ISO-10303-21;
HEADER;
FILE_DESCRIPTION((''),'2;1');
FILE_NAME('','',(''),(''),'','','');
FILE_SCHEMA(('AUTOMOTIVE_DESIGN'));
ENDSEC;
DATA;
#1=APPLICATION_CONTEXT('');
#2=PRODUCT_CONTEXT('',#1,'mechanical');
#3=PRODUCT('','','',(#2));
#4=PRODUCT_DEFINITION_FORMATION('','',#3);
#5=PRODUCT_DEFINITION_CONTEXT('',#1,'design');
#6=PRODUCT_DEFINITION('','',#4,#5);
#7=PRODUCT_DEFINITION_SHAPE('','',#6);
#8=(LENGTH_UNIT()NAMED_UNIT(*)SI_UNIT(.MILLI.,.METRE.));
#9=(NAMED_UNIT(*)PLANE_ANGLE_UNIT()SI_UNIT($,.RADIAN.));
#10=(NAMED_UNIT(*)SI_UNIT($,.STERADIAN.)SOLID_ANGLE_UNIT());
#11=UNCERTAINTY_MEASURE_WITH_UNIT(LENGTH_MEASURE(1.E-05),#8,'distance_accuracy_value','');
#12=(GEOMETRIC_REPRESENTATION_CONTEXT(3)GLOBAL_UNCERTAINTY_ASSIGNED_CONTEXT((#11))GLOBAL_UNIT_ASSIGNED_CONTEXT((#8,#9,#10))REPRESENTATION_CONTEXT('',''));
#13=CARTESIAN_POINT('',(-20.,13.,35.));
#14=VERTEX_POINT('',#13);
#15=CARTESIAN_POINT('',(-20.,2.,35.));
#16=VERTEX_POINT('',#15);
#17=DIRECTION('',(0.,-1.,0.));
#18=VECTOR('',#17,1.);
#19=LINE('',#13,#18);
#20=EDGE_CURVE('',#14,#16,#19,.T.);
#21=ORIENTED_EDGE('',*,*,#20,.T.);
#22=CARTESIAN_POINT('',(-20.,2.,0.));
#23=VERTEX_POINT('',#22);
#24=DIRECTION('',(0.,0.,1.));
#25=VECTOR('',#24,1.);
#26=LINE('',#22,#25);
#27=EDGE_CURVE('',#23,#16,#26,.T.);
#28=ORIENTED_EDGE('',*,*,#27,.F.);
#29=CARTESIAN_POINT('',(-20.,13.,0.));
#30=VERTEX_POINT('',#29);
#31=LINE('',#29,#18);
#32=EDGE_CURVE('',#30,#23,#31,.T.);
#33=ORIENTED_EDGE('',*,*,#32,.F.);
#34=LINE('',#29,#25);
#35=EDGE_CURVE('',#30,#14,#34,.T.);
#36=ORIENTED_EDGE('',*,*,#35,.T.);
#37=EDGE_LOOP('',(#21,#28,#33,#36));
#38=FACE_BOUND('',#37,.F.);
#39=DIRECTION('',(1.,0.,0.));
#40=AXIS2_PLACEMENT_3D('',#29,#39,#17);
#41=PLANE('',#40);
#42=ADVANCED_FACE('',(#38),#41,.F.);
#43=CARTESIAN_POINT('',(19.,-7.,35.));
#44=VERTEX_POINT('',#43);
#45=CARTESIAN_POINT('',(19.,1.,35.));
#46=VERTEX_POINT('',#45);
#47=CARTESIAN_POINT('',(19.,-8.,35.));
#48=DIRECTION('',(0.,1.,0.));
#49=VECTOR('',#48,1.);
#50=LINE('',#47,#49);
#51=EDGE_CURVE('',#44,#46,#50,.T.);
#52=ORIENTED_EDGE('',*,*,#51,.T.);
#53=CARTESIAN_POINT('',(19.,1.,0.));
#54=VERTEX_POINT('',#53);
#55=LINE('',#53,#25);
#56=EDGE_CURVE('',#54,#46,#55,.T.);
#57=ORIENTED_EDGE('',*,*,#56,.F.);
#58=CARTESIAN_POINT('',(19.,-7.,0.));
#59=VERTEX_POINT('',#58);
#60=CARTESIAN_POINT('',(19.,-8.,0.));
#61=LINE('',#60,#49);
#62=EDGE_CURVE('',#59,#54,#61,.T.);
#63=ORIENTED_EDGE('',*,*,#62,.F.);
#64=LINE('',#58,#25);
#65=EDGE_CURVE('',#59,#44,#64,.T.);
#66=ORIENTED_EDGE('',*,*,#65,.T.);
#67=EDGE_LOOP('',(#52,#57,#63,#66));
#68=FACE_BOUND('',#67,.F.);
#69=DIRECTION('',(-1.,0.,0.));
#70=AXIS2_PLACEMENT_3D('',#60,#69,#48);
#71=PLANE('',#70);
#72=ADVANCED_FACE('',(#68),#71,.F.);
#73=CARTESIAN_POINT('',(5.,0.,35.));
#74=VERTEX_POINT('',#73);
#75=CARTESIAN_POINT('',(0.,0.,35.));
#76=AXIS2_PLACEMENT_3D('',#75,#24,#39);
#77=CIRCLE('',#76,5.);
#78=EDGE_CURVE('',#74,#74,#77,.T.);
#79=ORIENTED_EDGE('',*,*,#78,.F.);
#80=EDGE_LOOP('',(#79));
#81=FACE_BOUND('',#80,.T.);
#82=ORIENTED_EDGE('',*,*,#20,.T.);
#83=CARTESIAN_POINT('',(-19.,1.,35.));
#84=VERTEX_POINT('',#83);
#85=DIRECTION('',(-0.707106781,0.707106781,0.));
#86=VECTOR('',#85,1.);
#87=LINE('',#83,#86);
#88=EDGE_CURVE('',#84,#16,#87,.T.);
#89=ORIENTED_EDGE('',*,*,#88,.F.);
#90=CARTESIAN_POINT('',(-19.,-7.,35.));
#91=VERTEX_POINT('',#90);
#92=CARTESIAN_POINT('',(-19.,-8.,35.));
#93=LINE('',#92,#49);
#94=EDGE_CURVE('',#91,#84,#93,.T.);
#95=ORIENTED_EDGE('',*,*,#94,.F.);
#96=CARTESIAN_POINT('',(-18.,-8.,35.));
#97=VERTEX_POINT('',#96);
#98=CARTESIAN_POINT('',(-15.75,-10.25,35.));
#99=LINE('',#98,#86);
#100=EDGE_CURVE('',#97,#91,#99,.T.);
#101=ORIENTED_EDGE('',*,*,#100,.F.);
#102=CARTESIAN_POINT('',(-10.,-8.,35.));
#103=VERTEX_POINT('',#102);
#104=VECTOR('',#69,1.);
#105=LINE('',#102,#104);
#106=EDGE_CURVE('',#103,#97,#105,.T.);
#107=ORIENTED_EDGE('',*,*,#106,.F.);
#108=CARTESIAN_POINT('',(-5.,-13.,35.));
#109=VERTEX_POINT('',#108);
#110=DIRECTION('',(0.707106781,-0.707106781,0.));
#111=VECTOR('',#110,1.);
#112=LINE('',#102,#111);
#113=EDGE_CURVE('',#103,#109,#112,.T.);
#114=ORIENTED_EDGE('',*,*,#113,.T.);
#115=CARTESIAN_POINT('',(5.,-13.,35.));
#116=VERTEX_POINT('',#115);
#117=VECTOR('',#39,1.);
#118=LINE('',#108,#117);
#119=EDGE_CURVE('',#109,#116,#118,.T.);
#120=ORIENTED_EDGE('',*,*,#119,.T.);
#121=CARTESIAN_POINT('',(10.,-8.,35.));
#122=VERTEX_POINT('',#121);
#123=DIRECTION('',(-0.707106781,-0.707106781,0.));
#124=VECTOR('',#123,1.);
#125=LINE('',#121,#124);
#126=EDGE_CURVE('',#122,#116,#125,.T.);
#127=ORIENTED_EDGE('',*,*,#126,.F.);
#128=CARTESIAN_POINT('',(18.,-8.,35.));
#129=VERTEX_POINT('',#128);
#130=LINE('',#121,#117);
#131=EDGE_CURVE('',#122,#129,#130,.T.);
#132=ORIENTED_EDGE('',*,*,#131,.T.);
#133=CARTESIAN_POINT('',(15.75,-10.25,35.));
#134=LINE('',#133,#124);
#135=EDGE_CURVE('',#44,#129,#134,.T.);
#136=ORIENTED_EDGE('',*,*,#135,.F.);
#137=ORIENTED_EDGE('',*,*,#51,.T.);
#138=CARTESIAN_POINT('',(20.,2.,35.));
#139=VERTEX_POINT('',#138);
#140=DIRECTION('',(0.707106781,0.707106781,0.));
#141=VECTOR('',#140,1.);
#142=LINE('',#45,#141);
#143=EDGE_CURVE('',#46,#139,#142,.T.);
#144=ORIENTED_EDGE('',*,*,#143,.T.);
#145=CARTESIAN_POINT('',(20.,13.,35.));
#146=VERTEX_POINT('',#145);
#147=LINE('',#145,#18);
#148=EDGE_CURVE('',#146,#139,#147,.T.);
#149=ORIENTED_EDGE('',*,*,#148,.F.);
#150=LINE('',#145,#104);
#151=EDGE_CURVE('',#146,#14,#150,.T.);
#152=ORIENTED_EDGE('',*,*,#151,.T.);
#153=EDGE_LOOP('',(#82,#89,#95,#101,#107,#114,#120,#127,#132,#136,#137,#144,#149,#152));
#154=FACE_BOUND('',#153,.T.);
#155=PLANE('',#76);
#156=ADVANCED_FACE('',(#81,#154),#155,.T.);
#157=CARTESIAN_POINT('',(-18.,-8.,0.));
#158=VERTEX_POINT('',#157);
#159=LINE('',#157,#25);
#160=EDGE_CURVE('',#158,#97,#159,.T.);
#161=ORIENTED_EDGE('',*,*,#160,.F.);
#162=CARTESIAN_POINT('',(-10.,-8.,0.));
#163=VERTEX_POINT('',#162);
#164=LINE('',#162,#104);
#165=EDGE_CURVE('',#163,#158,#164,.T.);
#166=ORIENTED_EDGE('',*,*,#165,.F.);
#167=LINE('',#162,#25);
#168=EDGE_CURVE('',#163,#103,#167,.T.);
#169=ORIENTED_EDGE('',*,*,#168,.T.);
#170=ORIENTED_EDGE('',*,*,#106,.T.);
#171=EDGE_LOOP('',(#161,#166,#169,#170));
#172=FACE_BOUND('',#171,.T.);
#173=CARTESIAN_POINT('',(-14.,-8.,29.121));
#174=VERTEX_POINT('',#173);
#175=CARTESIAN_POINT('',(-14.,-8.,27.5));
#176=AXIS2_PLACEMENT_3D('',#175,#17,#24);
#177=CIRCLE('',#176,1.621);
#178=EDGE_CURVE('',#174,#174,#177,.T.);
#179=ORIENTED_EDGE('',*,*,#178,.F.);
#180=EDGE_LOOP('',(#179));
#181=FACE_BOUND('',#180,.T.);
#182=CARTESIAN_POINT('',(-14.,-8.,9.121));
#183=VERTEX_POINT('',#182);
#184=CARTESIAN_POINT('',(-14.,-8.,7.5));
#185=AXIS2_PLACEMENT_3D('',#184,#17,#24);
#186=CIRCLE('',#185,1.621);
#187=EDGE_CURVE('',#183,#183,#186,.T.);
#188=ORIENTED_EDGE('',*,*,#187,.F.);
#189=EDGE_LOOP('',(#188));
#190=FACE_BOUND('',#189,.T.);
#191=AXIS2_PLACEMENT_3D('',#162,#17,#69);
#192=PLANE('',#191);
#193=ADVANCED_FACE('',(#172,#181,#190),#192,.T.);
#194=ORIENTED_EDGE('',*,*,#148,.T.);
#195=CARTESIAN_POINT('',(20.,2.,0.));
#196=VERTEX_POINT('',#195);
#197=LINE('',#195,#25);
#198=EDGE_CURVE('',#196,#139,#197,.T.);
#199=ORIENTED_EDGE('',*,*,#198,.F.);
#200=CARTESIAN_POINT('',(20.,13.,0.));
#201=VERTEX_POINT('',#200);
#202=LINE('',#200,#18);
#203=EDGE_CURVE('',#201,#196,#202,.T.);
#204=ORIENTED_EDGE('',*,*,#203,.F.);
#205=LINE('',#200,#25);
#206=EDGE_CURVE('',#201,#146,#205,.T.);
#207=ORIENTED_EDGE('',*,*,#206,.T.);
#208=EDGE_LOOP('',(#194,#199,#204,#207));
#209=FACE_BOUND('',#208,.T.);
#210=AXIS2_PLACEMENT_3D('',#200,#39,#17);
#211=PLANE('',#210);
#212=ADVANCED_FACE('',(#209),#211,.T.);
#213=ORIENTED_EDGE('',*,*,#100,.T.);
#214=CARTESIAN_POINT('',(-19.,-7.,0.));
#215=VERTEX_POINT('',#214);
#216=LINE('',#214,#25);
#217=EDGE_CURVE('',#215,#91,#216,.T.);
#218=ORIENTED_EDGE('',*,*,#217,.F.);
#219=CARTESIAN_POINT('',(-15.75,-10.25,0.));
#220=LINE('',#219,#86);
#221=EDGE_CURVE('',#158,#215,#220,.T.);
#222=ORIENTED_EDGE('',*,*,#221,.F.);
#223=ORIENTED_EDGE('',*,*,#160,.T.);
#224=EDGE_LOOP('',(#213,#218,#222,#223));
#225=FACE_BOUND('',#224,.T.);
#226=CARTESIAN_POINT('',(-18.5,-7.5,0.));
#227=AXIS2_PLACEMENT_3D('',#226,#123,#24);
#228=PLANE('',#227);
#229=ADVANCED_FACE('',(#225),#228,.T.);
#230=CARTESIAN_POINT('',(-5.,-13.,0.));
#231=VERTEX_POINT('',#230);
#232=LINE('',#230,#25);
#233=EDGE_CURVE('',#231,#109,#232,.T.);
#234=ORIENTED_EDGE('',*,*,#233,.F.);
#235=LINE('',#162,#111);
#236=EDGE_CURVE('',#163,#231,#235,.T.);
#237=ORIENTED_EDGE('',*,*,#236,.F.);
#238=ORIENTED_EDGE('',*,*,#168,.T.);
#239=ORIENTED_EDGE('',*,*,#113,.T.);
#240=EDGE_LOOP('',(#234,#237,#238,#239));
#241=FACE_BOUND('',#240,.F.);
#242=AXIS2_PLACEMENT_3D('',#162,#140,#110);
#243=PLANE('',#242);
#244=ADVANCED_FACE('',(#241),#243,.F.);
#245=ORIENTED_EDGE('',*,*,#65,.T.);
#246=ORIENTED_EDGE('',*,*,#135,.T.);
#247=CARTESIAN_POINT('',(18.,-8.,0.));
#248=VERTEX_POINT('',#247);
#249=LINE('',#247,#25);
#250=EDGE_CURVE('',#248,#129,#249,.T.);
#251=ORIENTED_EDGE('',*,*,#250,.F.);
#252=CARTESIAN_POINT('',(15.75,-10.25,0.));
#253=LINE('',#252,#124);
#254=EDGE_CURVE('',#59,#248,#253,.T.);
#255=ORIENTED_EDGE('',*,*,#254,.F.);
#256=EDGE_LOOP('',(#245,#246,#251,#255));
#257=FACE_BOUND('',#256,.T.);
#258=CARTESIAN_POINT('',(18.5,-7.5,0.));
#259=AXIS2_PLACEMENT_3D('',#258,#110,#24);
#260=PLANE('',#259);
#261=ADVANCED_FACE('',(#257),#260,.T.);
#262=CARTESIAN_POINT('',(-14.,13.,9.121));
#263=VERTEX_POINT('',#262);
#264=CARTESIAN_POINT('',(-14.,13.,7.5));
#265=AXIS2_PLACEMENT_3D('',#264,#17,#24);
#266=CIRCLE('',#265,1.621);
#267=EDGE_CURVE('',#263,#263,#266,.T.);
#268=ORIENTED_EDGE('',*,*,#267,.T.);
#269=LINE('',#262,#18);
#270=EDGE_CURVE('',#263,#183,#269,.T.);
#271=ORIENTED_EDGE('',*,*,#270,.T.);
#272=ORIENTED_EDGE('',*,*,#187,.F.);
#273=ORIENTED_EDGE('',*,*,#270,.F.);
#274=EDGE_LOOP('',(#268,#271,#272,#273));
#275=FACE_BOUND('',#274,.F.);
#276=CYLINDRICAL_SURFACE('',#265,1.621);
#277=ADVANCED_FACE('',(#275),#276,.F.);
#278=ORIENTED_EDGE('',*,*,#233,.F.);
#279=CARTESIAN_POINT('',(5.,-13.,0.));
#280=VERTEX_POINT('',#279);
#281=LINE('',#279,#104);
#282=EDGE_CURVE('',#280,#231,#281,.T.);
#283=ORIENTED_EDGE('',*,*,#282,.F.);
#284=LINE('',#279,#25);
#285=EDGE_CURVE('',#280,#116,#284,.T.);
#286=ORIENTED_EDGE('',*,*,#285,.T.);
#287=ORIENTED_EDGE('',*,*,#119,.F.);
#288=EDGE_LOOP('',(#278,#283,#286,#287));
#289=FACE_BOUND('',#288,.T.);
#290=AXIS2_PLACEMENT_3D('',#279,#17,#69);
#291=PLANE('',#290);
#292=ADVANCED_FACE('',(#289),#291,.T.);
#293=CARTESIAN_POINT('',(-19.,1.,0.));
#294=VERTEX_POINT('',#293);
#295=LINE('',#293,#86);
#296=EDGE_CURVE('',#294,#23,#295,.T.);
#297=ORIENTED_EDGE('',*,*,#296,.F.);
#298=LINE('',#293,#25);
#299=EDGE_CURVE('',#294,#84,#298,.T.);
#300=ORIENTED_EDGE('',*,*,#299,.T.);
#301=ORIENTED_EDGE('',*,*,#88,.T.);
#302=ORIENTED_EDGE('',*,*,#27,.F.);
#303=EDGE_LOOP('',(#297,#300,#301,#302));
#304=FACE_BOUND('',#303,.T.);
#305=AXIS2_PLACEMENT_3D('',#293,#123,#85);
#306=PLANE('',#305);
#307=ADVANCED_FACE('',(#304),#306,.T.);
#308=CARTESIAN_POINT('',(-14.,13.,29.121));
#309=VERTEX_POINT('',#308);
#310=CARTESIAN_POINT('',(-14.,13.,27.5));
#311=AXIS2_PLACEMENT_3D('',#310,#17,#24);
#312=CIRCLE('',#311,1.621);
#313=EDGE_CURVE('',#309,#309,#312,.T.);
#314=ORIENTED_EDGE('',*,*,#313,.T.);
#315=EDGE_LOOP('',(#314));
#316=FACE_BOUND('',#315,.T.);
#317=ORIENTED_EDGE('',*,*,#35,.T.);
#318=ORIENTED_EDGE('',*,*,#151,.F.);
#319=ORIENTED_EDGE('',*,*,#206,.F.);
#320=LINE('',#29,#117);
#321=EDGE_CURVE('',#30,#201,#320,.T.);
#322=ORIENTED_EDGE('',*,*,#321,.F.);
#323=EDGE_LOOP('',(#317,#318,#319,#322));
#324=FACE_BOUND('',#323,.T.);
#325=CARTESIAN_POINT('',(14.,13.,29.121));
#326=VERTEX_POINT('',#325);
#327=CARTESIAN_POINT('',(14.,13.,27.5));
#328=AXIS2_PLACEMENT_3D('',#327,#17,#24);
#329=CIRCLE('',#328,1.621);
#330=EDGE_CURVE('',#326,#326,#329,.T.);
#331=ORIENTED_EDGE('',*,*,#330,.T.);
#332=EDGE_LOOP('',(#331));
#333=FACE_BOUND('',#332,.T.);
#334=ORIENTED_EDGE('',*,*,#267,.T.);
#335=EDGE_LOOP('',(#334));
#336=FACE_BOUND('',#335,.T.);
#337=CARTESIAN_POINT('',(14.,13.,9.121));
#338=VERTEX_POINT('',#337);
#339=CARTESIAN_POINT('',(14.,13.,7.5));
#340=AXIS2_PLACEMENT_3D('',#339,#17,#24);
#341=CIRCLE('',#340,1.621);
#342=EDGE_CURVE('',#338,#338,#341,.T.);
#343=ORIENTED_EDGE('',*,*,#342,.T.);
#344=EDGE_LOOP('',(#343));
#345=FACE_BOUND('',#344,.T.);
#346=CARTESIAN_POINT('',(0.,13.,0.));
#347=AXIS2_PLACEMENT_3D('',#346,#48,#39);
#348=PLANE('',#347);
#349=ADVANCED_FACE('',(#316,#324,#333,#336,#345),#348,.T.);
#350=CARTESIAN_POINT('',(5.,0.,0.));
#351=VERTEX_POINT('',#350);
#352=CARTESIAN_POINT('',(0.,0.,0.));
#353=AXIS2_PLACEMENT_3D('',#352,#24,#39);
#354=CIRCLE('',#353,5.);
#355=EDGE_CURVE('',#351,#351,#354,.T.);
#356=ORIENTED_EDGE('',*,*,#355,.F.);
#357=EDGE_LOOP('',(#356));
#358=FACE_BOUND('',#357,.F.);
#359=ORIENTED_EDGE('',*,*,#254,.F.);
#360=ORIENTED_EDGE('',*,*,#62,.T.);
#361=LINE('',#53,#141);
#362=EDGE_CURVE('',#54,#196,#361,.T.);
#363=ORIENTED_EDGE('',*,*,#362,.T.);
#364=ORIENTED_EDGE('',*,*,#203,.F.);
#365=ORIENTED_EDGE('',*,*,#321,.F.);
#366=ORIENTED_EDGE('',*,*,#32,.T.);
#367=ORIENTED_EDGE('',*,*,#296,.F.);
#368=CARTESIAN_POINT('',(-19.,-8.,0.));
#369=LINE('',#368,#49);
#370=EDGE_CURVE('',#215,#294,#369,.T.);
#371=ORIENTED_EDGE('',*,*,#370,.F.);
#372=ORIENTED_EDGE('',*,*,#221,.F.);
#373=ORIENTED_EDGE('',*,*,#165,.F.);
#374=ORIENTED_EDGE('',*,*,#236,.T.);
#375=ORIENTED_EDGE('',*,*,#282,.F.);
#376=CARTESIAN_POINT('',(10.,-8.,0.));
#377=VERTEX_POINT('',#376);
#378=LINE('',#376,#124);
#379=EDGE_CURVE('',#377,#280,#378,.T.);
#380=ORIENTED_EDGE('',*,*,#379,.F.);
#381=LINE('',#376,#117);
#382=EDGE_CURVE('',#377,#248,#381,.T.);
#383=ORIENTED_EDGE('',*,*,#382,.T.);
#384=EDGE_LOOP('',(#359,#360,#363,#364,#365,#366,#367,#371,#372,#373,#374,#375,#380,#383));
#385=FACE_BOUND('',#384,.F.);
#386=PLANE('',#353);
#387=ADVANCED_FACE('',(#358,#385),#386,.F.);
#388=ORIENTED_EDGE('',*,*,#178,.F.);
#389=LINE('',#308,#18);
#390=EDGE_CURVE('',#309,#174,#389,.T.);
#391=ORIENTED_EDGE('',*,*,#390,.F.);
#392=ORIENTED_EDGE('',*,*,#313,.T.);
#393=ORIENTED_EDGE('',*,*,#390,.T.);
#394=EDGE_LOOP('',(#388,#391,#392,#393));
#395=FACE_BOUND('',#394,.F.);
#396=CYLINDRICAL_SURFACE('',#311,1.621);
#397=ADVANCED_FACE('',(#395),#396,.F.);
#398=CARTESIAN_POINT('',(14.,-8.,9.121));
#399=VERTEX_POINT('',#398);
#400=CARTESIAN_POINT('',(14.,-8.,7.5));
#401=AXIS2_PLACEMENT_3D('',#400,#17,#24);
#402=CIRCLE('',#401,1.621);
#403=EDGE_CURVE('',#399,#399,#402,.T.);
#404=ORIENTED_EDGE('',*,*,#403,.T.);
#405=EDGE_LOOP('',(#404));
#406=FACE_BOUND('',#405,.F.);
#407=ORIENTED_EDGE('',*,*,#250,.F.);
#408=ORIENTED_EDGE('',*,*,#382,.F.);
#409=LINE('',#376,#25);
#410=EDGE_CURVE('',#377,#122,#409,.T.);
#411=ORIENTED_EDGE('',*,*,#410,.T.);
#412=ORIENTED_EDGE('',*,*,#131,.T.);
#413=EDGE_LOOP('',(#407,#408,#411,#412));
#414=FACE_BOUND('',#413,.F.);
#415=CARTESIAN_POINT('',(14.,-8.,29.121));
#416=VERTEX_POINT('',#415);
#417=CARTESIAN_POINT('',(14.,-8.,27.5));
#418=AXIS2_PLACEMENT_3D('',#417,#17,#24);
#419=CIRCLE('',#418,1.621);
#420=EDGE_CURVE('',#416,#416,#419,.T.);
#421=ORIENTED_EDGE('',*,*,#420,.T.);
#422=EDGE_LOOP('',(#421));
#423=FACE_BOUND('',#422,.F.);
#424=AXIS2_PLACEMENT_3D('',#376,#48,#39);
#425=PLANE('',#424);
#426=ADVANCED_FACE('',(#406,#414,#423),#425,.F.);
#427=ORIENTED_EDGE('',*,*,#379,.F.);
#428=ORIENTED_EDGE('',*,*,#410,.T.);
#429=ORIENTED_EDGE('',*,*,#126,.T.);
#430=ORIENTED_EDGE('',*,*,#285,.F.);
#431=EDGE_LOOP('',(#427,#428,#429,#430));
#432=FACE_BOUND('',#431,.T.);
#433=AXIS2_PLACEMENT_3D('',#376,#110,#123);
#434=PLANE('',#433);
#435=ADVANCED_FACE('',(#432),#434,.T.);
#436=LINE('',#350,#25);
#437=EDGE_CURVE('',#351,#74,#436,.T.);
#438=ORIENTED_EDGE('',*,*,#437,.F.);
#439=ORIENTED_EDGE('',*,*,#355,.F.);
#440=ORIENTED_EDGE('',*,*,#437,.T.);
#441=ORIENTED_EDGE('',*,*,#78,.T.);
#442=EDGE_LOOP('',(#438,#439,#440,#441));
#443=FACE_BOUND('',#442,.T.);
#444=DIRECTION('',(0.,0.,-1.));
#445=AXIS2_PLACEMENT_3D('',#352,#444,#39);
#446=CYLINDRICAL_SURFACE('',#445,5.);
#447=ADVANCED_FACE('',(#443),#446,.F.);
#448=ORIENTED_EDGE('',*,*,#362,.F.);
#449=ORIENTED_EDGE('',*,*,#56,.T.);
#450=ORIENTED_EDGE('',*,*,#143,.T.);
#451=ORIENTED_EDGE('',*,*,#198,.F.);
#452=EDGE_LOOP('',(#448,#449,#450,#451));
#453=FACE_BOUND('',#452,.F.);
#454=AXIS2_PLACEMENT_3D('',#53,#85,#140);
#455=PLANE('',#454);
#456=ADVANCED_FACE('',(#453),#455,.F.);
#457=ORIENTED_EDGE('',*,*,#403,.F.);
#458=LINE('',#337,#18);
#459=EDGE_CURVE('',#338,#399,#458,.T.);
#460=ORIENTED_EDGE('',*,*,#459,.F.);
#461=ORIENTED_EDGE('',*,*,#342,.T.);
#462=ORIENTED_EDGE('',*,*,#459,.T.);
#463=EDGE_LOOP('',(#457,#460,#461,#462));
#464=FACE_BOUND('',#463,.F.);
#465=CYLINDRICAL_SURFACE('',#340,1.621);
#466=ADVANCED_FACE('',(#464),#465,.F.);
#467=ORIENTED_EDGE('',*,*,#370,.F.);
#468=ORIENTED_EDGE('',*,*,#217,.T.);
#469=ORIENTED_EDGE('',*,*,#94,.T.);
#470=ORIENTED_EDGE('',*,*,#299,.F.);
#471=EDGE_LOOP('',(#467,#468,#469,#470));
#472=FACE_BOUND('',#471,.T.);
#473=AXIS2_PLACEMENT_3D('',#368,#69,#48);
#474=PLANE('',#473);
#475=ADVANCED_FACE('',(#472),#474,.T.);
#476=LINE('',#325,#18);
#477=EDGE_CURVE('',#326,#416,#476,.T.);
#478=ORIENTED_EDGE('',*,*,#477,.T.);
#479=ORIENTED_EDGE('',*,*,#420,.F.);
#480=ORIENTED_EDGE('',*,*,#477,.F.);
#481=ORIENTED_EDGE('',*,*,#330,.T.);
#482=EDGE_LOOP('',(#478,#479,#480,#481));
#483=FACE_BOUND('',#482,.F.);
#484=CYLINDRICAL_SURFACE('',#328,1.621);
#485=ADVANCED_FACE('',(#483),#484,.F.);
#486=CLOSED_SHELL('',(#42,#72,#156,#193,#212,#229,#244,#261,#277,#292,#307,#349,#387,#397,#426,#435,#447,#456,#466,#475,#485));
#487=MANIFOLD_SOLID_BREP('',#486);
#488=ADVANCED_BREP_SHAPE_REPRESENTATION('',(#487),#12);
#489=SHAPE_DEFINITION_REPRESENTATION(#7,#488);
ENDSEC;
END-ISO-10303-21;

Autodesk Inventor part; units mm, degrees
ref_plane "YZ Plane" through (0, 0, 0) normal (1, 0, 0) x (0, 1, 0)
ref_plane "XZ Plane" through (0, 0, 0) normal (0, 1, 0) x (-1, 0, 0)
ref_plane "XY Plane" through (0, 0, 0) normal (0, 0, 1) x (1, 0, 0)
sketch "Sketch1" plane through (0, 0, 0) normal (0, 0, 1) x (1, 0, 0)
  circle A0 centre (0, 0) radius 5
  circle A1 centre (0, 0) radius 8
  line L0 (0, 13) -> (20, 13)
  line L1 (20, 13) -> (20, 2)
  line L2 (10, -8) -> (5, -13)
  line L3 (5, -13) -> (0, -13)
  line L4 (10, -8) -> (19, -8)
  line L5 (19, -8) -> (19, 1)
  line L6 (19, 1) -> (20, 2)
  line L7 (0, 19.5854) -> (0, -21.9543) construction
  line L8 (0, 13) -> (-20, 13)
  line L9 (-20, 13) -> (-20, 2)
  line L10 (-10, -8) -> (-5, -13)
  line L11 (-5, -13) -> (0, -13)
  line L12 (-10, -8) -> (-19, -8)
  line L13 (-19, -8) -> (-19, 1)
  line L14 (-19, 1) -> (-20, 2)
  dimension "d0" = 10
  dimension "d8" = 16
  dimension "d27" = 20
  dimension "d28" = 0
  dimension "d29" = 0
  dimension "d30" = 135
  dimension "d31" = 26
  dimension "d32" = 13
  dimension "d34" = 21
  dimension "d35" = 135
  dimension "d36" = 12
  dimension "d37" = 19
  dimension "d38" = 5
  dimension "d39" = 0
extrude "Extrusion1" add sketch "Sketch1" along normal blind 35 contours A1 | L0 L1 L6 L5 L4 L2 L3 L11 L10 L12 L13 L14 L9 L8
chamfer "Chamfer1" distance 1 angle 45 2 edges at (19, -8, 17.5) (-19, -8, 17.5)
sketch "Sketch3" plane through (-20, 13, 0) normal (0, 1, 0) x (1, 0, 0)
  line L0 (40, 0) -> (0, 0) projected
  line L1 (0, 0) -> (0, -35) projected
  line L2 (40, -35) -> (0, -35) projected
  line L3 (40, 0) -> (40, -35) projected
  point P0 (20, 0)
  point P1 (6, -27.5)
  point P2 (6, -7.5)
  point P3 (34, -27.5)
  point P4 (34, -7.5)
  dimension "d45" = 20
  dimension "d48" = 28
  dimension "d51" = 6
  dimension "d52" = 7.5
hole "Hole2" at (-14, 13, 27.5) at (-14, 13, 7.5) at (14, 13, 27.5) at (14, 13, 7.5) direction (0, -1, 0) diameter 3.242 end through all thread size "M4x0.7" class "6H" standard "ANSI Metric M Profile"
properties part number "LinearBearing_SC10UU"
